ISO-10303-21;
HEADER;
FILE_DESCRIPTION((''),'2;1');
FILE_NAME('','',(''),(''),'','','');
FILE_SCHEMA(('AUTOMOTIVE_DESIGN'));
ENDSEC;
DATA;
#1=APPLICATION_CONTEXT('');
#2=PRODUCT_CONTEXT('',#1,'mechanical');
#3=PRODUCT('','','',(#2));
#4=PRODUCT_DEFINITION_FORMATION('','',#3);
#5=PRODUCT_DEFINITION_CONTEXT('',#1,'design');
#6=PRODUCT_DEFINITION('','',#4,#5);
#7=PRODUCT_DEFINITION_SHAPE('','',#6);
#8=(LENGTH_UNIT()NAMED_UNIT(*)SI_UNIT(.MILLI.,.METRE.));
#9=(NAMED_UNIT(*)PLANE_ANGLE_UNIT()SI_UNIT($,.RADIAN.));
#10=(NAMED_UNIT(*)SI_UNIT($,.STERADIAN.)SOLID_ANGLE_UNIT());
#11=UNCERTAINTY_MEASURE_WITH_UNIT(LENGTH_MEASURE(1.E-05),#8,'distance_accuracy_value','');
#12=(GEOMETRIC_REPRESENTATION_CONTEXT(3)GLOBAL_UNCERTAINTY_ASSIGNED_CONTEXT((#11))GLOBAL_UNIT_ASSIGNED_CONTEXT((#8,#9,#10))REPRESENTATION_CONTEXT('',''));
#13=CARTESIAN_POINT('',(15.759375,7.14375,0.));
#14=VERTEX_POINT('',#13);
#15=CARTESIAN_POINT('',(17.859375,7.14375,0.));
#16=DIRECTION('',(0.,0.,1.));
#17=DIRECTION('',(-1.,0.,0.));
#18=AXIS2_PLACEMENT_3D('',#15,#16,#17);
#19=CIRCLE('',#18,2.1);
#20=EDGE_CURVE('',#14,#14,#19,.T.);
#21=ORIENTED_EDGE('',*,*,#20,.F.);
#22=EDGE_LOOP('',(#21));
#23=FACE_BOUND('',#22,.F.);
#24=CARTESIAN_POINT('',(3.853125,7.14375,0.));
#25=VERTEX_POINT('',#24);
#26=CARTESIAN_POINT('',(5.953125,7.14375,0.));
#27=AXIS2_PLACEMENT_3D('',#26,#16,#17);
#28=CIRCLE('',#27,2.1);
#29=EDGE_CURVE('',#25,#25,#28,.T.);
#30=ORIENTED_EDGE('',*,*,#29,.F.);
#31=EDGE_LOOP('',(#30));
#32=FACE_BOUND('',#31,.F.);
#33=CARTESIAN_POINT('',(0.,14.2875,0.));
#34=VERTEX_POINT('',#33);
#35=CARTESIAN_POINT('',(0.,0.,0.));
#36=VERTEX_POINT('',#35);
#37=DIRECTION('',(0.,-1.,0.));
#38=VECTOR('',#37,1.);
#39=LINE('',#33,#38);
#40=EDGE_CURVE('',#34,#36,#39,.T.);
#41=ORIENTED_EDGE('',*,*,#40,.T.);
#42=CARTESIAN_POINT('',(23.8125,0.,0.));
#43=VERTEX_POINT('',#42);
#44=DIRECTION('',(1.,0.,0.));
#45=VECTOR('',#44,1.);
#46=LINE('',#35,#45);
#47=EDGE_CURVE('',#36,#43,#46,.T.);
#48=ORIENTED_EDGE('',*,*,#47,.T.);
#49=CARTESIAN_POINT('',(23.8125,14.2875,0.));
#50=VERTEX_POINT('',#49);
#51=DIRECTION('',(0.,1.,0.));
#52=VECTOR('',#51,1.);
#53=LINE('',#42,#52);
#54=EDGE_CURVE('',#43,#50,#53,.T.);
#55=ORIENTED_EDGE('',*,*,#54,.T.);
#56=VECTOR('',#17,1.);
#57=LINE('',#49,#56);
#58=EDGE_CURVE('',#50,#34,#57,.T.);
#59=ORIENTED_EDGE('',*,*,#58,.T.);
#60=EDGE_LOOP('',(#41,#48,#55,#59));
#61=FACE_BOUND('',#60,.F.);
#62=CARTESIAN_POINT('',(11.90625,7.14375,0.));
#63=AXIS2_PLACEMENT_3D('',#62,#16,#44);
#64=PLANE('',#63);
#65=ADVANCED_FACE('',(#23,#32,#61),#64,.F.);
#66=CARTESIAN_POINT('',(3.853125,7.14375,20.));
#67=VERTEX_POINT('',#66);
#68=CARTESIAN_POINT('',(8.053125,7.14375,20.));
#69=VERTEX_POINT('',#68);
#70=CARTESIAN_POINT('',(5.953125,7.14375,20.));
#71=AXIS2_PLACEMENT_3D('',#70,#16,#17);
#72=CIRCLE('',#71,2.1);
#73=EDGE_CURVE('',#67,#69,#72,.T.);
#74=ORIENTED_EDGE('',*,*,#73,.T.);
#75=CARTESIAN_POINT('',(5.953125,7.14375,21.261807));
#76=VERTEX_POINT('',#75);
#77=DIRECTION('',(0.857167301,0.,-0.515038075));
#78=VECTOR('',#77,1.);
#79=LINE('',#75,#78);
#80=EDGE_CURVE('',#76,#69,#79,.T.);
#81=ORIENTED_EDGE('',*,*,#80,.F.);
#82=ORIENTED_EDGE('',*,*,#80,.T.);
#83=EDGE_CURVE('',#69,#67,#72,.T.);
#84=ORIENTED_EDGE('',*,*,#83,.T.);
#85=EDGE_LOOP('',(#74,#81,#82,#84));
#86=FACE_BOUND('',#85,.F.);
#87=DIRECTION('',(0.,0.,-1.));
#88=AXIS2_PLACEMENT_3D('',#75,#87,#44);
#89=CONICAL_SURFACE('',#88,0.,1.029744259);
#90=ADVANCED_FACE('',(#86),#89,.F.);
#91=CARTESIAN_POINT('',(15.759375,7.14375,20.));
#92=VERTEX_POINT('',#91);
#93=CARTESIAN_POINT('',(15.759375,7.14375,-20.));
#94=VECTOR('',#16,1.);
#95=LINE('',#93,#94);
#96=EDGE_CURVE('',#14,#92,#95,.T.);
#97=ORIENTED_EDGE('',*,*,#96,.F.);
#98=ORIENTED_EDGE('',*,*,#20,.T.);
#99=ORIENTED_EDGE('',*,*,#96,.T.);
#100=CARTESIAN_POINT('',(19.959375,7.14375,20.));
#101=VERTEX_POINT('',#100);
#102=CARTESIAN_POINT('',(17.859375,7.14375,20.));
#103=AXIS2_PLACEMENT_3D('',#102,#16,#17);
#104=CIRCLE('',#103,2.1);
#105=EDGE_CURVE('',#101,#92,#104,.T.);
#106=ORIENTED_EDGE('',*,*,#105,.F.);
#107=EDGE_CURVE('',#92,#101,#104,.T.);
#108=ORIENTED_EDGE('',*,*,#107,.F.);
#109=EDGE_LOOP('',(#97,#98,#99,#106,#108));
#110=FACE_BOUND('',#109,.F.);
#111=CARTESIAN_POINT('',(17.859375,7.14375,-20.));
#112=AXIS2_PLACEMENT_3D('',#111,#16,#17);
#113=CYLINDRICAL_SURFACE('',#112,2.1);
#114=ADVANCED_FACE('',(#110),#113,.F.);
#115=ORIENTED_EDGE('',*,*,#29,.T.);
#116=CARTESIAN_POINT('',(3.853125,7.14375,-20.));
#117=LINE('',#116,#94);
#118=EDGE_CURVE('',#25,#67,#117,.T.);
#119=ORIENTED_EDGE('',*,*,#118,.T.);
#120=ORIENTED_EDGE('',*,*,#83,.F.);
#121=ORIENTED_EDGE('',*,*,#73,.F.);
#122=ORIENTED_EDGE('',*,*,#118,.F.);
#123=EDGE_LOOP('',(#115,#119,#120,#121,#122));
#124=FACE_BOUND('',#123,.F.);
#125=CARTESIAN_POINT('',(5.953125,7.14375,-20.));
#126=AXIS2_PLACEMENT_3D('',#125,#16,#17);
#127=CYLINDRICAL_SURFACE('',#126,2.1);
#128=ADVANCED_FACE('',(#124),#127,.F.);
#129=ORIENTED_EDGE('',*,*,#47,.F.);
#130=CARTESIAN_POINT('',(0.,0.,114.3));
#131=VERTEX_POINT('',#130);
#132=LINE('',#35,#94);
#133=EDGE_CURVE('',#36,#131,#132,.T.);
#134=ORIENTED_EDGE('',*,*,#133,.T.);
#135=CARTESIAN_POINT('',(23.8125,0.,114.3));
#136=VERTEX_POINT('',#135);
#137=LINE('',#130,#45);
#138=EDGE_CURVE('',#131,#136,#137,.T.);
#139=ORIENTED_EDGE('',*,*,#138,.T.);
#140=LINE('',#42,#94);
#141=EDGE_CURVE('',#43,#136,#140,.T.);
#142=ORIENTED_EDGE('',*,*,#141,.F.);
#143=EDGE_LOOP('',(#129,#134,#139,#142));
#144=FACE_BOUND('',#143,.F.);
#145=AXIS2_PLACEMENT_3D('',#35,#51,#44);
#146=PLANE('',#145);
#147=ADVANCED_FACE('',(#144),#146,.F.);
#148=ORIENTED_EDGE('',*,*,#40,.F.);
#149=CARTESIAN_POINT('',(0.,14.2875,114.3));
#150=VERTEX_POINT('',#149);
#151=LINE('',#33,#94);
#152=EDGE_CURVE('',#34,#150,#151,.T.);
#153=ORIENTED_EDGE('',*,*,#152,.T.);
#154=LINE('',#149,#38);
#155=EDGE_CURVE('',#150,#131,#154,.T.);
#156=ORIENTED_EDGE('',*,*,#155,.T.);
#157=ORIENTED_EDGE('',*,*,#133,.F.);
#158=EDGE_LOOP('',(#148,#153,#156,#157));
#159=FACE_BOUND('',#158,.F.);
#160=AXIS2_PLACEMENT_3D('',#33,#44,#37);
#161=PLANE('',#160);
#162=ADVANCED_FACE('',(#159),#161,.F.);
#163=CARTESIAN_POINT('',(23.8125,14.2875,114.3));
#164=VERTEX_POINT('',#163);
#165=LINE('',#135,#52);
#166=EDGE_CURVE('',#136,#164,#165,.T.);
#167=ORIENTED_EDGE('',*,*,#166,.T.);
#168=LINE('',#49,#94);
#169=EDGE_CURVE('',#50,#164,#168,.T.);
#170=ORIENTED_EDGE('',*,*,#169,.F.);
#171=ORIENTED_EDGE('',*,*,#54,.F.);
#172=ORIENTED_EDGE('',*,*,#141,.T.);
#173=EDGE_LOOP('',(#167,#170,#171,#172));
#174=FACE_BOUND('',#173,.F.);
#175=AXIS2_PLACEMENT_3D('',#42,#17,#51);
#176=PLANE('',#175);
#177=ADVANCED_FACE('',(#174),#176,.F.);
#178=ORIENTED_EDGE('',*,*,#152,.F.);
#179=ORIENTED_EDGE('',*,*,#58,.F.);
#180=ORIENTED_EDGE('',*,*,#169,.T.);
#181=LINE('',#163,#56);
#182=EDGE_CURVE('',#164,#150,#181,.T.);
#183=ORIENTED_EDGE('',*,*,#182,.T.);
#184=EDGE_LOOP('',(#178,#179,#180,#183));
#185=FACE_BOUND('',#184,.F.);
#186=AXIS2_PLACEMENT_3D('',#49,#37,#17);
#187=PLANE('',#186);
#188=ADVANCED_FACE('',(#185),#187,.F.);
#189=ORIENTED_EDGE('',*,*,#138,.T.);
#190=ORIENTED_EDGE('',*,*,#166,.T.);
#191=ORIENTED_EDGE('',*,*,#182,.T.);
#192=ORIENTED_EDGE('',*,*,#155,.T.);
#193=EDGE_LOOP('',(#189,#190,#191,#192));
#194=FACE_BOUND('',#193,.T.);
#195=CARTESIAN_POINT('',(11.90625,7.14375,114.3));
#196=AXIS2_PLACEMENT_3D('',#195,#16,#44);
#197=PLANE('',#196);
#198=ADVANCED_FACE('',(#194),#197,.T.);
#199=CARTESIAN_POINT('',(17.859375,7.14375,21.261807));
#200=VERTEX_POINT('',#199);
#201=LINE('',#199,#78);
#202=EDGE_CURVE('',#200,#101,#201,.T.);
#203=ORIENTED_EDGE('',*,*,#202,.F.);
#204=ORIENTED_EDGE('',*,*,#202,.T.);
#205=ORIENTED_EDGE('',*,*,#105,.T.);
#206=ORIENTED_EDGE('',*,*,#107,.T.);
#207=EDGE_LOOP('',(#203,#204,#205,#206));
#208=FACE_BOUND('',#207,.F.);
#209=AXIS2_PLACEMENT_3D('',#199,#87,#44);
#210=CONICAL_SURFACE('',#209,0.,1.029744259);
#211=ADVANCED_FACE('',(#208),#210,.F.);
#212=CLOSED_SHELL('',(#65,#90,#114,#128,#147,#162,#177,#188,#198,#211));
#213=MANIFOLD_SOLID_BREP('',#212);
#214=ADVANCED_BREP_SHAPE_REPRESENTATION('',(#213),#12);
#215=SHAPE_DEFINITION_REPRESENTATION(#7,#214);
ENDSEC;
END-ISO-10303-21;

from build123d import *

# Parameters (mm, degrees)
F0_R     = 2.5
F1_DEPTH = 114.3
F2_D     = 4.2
F2_DEPTH = 20
F2_TIP   = 1.2618073


with BuildPart() as f1:
    # F0 (on Top) → F1 (new body)
    with BuildSketch(Plane.XY):
        Polygon((23.8125, 14.2875), (11.90625, 14.2875), (0, 14.2875), (0, 0), (11.90625, 0), (23.8125, 0), align=None)
        with Locations((5.953125, 7.14375)):
            Circle(F0_R, mode=Mode.SUBTRACT)
        with Locations((17.859375, 7.14375)):
            Circle(F0_R, mode=Mode.SUBTRACT)
        with Locations((5.953125, 7.14375)):
            Circle(F0_R)
        with Locations((17.859375, 7.14375)):
            Circle(F0_R)
    extrude(amount=F1_DEPTH)

    # F2
    with Locations(Plane(origin=(0, 0, 0), x_dir=(1, 0, 0), z_dir=(0, 0, -1))):
        with Locations((17.859375, -7.14375), (5.953125, -7.14375)):
            Hole(F2_D / 2, depth=F2_DEPTH)
            with Locations((0, 0, -(F2_DEPTH + F2_TIP / 2))):  # 118° drill point
                Cone(0, F2_D / 2, F2_TIP, mode=Mode.SUBTRACT)


solid = f1.part
